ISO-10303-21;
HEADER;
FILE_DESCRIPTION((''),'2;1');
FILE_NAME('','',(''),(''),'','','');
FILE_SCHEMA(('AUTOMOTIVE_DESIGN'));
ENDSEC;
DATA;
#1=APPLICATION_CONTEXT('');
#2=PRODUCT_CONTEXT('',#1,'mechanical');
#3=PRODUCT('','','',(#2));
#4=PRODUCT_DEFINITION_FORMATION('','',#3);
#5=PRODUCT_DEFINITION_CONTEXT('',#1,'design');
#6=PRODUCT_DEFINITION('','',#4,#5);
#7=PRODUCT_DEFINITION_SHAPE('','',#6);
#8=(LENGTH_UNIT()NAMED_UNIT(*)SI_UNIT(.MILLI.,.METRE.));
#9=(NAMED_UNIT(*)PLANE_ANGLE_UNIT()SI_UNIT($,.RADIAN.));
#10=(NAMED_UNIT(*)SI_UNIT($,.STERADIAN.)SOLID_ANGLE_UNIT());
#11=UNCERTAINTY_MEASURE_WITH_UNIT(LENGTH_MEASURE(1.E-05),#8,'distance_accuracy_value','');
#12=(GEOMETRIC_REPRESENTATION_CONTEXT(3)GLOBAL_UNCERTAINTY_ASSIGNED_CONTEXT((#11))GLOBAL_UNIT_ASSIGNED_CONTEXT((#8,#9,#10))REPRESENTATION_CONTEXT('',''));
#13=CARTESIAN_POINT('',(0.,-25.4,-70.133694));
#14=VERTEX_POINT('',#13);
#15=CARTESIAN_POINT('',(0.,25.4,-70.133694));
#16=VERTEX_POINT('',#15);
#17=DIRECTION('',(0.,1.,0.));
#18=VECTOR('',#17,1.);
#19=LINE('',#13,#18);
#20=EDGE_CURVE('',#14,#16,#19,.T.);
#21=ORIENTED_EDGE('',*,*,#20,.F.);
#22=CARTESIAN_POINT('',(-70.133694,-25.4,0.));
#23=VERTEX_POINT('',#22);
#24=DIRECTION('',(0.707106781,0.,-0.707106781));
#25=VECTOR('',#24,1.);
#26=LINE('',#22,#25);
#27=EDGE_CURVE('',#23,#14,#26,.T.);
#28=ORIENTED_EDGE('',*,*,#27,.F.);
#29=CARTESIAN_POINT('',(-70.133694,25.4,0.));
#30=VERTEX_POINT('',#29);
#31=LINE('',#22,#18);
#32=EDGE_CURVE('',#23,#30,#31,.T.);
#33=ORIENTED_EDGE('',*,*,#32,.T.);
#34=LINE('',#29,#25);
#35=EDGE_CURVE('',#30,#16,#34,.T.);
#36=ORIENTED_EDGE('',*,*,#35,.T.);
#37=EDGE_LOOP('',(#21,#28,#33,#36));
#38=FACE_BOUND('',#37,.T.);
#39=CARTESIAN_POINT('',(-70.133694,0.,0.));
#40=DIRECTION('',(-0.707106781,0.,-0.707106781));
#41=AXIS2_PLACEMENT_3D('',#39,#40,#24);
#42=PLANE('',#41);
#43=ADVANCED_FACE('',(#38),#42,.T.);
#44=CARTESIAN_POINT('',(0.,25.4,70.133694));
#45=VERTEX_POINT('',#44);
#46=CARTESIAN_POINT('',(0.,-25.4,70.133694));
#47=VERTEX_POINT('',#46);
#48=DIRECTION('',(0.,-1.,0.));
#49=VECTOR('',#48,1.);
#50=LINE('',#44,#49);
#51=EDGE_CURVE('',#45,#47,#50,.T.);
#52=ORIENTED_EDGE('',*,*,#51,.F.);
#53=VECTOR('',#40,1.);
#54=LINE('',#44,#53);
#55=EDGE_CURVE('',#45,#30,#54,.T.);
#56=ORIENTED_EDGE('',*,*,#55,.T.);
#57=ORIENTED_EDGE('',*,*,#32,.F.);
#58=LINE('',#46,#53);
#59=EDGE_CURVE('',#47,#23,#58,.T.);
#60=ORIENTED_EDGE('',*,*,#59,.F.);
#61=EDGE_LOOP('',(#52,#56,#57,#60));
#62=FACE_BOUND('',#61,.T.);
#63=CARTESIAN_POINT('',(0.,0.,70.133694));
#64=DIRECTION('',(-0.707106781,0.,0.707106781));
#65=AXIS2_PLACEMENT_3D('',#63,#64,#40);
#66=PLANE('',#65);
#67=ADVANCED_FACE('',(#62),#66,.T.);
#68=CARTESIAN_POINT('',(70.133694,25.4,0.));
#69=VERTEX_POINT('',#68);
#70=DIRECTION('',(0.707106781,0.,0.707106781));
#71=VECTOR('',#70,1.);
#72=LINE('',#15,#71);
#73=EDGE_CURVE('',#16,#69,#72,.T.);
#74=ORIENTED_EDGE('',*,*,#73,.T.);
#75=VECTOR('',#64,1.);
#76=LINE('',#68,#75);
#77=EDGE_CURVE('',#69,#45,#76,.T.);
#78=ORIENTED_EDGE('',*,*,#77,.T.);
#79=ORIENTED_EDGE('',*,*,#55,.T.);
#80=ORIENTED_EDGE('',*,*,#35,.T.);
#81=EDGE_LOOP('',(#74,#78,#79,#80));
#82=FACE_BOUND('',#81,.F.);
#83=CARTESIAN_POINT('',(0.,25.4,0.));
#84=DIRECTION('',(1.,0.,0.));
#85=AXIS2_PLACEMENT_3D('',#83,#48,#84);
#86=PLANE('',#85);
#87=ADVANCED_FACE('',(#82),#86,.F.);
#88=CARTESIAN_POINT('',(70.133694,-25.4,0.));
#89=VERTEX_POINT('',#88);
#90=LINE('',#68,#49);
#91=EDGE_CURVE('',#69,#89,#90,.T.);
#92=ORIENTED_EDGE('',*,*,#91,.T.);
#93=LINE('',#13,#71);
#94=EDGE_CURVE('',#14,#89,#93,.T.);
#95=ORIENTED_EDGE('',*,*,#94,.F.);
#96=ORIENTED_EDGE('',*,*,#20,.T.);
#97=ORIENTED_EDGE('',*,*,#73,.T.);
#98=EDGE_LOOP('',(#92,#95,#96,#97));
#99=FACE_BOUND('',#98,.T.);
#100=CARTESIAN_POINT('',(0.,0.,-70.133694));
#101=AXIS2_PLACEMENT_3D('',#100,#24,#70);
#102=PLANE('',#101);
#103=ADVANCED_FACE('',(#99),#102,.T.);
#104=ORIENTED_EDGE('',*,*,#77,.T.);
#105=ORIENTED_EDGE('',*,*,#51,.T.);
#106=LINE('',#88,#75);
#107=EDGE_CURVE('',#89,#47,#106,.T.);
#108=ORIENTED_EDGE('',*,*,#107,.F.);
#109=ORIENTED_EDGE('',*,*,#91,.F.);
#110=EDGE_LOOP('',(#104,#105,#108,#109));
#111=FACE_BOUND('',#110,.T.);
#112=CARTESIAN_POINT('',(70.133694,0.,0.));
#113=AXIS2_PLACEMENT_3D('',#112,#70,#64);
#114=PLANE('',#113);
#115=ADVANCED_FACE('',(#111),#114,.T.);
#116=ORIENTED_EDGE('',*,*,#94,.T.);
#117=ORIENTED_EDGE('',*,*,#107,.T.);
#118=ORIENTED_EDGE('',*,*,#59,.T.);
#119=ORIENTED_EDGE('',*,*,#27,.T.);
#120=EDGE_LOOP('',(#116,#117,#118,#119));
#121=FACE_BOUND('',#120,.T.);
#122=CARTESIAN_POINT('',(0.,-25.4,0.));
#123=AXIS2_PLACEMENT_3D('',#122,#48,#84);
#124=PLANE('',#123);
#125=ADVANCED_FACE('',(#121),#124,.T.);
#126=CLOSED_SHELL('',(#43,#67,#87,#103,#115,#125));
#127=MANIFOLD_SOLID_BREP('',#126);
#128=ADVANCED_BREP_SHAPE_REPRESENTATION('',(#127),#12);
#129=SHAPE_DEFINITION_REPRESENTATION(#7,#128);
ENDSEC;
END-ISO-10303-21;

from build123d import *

# Parameters (mm, degrees)
F2_DEPTH      = 25.4
F2_DEPTH_BACK = 25.4


with BuildPart() as f2:
    # F1 (on face) → F2 (new body, two sides)
    with BuildSketch(Plane.XZ) as f2_sk:
        Polygon((0, -70.133694), (70.133694, 0), (0, 70.133694), (-70.133694, 0), align=None)
    extrude(amount=F2_DEPTH)
    extrude(f2_sk.sketch, amount=-F2_DEPTH_BACK)


solid = f2.part
